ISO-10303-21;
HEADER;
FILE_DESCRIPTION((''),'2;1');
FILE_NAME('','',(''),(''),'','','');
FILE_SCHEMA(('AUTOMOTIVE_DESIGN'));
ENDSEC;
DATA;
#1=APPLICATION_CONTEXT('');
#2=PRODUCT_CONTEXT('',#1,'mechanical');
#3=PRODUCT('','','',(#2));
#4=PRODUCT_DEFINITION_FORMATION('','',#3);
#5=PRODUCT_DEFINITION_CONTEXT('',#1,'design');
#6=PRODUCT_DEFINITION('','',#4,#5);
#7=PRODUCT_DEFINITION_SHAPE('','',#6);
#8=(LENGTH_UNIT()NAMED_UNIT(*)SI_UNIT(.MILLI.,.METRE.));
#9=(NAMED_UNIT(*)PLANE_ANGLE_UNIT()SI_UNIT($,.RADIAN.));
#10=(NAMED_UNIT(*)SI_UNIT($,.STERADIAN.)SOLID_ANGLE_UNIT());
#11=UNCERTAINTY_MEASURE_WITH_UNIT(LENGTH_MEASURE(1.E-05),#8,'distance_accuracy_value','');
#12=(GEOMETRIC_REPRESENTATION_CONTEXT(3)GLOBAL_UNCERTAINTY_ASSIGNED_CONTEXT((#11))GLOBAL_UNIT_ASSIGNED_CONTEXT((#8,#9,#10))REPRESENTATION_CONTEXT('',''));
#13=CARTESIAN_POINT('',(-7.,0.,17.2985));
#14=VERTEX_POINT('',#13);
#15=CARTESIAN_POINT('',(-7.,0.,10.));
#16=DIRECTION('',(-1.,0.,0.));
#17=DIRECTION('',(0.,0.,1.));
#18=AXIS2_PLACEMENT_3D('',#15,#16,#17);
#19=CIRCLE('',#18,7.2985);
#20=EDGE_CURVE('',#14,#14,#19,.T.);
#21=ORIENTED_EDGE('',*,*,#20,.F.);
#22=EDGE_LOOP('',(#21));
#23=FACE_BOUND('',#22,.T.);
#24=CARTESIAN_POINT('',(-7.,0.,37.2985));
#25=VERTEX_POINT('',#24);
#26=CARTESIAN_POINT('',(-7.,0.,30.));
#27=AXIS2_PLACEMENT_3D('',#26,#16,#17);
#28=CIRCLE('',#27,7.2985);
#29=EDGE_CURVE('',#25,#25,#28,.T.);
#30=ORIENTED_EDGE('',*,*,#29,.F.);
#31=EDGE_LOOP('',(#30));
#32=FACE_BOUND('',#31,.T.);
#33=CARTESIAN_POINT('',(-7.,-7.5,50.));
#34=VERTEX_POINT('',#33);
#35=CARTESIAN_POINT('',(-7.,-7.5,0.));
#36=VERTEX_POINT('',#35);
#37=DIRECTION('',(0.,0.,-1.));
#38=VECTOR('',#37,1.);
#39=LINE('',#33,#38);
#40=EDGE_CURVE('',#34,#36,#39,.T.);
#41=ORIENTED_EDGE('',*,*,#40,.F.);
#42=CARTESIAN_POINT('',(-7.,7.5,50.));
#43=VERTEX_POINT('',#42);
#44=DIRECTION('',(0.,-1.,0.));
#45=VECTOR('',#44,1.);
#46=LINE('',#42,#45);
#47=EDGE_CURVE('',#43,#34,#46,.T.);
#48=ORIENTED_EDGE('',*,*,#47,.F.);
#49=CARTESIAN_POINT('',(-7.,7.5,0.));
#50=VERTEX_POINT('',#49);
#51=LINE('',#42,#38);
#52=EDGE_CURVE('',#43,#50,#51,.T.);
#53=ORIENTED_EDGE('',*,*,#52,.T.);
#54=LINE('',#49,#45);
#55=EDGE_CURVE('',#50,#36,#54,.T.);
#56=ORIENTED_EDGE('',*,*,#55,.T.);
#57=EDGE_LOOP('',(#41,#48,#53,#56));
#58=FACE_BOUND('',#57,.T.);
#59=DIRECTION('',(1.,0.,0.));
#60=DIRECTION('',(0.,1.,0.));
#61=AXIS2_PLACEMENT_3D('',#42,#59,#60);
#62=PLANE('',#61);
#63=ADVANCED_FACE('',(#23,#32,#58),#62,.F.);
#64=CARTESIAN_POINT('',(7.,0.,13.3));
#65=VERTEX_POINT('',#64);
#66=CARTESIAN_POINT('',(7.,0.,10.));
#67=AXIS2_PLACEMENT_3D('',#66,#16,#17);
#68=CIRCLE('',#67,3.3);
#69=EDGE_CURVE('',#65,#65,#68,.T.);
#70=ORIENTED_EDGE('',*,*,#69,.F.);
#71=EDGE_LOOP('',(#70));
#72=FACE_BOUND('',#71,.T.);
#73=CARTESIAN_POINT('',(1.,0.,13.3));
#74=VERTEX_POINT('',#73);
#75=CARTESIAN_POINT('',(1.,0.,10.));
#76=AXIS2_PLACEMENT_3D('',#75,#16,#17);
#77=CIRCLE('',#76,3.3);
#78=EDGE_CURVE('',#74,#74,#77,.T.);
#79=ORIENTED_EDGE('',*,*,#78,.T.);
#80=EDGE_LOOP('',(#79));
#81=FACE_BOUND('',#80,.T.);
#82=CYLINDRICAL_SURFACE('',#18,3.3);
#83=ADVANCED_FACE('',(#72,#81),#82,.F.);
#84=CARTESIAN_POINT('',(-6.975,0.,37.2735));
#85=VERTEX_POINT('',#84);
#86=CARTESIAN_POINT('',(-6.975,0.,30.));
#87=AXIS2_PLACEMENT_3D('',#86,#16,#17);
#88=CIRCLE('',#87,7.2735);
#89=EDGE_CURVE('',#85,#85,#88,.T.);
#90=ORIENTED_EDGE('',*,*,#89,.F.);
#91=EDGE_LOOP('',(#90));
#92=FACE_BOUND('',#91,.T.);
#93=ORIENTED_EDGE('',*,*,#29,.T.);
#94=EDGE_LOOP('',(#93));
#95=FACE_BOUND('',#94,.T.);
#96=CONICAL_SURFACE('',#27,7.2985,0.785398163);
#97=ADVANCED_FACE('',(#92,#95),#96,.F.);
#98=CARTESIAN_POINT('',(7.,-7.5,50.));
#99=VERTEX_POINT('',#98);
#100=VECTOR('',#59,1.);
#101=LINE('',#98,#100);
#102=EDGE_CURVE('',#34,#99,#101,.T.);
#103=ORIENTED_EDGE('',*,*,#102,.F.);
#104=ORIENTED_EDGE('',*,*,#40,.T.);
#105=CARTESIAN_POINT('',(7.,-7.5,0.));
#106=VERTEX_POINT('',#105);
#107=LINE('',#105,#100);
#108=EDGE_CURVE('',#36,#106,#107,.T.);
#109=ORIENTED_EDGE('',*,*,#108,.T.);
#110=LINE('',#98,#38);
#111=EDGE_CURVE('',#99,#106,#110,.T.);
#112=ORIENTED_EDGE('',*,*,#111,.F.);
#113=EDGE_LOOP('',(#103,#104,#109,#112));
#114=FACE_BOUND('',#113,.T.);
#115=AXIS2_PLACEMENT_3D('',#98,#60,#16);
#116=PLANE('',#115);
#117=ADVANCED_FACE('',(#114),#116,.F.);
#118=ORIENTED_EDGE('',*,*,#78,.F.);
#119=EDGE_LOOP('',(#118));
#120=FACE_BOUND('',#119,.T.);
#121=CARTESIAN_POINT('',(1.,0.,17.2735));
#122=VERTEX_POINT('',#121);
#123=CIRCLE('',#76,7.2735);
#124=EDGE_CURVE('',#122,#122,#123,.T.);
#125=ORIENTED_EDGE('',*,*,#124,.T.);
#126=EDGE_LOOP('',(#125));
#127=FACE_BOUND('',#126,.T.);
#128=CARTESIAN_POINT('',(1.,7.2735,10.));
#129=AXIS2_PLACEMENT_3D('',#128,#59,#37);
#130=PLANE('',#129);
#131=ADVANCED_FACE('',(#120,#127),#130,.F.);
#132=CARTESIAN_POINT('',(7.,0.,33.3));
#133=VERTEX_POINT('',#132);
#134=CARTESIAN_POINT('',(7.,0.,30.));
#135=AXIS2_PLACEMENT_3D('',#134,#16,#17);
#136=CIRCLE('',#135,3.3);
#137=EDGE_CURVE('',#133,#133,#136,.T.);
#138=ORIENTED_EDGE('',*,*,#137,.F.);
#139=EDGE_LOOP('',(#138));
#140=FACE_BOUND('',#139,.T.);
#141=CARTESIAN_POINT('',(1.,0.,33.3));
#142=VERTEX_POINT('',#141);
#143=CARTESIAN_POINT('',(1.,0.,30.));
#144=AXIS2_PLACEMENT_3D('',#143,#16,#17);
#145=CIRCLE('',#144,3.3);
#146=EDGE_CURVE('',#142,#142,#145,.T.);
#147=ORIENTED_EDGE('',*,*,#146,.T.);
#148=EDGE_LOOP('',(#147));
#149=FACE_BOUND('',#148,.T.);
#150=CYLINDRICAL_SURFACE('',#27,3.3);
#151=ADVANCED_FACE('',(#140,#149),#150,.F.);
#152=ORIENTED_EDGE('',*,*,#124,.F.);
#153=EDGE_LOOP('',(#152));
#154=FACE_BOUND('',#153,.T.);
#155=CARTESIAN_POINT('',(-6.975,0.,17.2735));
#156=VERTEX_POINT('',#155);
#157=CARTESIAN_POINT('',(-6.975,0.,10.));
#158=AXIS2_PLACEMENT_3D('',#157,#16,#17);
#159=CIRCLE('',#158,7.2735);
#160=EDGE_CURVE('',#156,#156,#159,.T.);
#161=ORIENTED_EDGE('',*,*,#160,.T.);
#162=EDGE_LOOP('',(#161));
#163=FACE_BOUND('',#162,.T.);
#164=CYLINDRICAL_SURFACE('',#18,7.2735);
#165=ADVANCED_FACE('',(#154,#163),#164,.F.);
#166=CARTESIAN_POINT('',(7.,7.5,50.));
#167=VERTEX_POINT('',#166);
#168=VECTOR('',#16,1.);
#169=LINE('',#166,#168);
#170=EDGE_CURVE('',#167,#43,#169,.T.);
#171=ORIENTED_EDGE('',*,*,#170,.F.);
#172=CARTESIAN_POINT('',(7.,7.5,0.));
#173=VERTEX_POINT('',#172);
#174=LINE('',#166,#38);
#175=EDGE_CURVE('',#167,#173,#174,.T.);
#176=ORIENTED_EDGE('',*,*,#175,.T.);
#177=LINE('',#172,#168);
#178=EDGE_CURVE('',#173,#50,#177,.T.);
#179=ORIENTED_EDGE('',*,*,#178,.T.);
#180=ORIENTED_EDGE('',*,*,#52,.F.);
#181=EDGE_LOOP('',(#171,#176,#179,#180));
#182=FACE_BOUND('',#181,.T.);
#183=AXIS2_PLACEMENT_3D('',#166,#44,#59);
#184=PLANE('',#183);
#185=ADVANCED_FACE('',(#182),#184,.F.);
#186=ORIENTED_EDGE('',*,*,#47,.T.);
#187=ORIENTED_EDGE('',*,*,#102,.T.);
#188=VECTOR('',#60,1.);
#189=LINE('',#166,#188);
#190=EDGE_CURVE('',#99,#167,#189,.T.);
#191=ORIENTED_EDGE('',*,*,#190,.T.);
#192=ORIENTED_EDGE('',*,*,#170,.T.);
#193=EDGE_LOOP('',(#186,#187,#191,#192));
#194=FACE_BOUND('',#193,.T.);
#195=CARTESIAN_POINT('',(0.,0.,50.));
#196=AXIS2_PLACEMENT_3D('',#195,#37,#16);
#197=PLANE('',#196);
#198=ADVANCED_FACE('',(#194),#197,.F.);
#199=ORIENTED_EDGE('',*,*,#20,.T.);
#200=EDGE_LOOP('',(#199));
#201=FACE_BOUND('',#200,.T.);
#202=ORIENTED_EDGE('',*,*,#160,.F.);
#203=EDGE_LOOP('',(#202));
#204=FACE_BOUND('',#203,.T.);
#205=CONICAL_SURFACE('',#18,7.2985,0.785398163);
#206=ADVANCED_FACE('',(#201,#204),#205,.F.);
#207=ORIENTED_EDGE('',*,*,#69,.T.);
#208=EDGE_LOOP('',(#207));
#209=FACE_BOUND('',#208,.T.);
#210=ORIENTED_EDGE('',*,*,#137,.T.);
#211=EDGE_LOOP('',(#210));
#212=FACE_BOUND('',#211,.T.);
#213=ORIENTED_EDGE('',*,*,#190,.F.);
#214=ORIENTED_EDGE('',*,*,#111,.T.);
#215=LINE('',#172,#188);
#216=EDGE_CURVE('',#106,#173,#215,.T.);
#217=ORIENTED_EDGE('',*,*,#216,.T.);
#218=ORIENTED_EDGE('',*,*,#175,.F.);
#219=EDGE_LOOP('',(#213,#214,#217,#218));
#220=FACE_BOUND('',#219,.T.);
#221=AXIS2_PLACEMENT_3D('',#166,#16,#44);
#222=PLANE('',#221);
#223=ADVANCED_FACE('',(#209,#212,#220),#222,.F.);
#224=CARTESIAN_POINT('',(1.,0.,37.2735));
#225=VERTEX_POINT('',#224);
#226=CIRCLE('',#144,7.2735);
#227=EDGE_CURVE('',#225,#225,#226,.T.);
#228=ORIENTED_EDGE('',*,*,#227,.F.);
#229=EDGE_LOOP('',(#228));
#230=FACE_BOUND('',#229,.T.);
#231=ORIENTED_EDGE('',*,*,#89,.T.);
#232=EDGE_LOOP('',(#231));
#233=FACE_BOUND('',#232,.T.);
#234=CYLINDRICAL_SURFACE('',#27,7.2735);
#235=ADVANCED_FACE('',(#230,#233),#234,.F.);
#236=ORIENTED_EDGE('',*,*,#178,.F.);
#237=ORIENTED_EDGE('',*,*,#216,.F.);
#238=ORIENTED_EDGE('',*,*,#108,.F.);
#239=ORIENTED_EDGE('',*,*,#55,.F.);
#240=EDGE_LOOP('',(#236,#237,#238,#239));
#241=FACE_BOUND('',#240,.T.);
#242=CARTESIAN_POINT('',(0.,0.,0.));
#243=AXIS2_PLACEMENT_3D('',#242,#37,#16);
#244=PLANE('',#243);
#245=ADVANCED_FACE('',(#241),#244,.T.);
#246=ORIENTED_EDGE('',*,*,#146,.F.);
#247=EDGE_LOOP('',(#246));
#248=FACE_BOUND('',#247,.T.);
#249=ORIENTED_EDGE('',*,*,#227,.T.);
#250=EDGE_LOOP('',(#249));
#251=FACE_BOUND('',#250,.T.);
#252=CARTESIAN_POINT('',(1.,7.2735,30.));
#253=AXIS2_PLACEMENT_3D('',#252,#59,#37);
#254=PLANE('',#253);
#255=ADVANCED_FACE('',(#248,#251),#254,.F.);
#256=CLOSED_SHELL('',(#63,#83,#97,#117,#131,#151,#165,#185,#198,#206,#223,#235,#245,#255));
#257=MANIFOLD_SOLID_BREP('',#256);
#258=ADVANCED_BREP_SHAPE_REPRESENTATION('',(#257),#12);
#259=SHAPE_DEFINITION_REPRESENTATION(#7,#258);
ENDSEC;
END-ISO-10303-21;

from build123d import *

# Parameters (mm, degrees)
SKETCH1_W                              = 14
SKETCH1_H                              = 15
BOSS_EXTRUDE1_DEPTH                    = 50
CBORE_FOR_M6_HEX_HEAD_BOLT1_AT_2_COUNT = 2
CBORE_FOR_M6_HEX_HEAD_BOLT1_AT_2_PITCH = 20


with BuildPart() as part:
    # Sketch1 → Boss-Extrude1 (new body)
    with BuildSketch(Plane.XY):
        Rectangle(SKETCH1_W, SKETCH1_H)
    extrude(amount=BOSS_EXTRUDE1_DEPTH)

    # Sketch3 → CBORE for M6 Hex Head Bolt1 (revolve, cut)
    with BuildSketch(Plane(origin=(-7, 0, 10), x_dir=(0, 0, 1), z_dir=(0, 1, 0))):
        Polygon((0, 0), (0, 14), (3.3, 14), (3.3, 8), (7.2735, 8), (7.2735, 0.025), (7.2985, 0), align=None)
    cbore_for_m6_hex_head_bolt1 = revolve(axis=Axis((-13.35, 0, 10), (1, 0, 0)), mode=Mode.SUBTRACT)

    # CBORE for M6 Hex Head Bolt1 at 2: CBORE for M6 Hex Head Bolt1 ×2
    with Locations(*[(0, 0, i * CBORE_FOR_M6_HEX_HEAD_BOLT1_AT_2_PITCH) for i in range(1, CBORE_FOR_M6_HEX_HEAD_BOLT1_AT_2_COUNT)]):
        add(cbore_for_m6_hex_head_bolt1, mode=Mode.SUBTRACT)


solid = part.part
